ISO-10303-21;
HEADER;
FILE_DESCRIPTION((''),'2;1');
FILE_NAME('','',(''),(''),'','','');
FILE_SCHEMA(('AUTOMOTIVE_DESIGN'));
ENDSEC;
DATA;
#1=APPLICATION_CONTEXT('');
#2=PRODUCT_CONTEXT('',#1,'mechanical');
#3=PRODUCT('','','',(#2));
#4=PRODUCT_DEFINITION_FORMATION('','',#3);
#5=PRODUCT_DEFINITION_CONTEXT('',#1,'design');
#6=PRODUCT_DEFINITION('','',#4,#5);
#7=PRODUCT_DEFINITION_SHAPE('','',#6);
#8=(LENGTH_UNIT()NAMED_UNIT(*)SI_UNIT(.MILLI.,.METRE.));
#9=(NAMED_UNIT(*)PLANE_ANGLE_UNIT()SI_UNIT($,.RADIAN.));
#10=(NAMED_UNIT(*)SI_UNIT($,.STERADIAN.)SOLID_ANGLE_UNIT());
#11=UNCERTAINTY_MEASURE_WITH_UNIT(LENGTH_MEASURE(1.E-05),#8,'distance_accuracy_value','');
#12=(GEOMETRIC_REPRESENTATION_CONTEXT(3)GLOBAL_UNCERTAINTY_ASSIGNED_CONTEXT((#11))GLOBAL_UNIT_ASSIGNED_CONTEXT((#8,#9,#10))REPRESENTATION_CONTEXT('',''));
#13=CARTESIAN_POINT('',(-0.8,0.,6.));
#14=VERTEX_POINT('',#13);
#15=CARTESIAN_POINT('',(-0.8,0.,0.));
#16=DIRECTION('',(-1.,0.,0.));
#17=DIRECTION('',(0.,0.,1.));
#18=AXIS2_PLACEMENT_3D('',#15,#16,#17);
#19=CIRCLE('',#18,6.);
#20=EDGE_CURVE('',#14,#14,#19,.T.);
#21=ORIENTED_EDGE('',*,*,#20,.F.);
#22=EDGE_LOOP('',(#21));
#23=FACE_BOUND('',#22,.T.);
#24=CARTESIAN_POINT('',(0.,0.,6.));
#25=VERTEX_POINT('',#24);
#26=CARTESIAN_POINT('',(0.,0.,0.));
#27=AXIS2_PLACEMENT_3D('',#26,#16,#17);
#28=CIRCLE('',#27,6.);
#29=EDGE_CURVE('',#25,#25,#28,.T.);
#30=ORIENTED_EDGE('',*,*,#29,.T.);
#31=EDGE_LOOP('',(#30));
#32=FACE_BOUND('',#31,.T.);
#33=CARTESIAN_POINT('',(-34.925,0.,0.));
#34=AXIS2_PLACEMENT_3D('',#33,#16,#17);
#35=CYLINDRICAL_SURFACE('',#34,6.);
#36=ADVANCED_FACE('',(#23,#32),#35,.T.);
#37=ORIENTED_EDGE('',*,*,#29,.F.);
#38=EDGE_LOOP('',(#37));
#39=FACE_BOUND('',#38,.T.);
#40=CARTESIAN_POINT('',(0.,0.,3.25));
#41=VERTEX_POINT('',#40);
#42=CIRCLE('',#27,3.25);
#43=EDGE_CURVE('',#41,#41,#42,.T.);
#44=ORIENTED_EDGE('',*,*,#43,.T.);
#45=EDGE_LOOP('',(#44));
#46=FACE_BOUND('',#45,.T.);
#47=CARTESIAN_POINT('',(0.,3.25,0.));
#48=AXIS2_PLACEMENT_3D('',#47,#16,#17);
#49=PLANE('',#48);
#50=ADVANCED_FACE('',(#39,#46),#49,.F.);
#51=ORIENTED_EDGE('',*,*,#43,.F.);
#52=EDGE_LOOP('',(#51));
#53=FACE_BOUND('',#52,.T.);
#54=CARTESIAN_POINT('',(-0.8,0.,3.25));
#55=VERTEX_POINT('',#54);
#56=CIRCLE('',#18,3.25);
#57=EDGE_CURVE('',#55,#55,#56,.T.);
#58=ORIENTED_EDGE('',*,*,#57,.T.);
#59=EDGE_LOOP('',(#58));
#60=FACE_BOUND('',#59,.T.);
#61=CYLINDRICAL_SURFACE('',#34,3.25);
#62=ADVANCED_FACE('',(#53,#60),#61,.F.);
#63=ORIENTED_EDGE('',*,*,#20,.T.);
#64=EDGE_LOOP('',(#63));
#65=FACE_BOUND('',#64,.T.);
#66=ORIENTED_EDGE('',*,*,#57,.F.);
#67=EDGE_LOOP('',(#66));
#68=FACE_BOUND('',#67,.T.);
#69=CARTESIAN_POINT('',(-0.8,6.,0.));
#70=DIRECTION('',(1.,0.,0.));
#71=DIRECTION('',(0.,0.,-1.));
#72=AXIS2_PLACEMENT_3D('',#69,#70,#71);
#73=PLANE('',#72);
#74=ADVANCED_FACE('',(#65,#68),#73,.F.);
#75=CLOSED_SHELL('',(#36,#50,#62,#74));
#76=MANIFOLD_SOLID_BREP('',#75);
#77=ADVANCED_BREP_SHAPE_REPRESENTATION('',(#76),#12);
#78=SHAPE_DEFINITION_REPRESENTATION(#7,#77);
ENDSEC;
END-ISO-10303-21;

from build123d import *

# Parameters (mm, degrees)
SKETCH1_W = 0.8
SKETCH1_H = 2.75


with BuildPart() as part:
    # Sketch1 → Base-Revolve (revolve)
    with BuildSketch(Plane.XY, mode=Mode.PRIVATE) as base_revolve_sk:
        with Locations((-0.4, 4.625)):
            Rectangle(SKETCH1_W, SKETCH1_H)
    revolve(base_revolve_sk.sketch.rotate(Axis((-34.925, 0, 0), (1, 0, 0)), 90), axis=Axis((-34.925, 0, 0), (1, 0, 0)))


solid = part.part
